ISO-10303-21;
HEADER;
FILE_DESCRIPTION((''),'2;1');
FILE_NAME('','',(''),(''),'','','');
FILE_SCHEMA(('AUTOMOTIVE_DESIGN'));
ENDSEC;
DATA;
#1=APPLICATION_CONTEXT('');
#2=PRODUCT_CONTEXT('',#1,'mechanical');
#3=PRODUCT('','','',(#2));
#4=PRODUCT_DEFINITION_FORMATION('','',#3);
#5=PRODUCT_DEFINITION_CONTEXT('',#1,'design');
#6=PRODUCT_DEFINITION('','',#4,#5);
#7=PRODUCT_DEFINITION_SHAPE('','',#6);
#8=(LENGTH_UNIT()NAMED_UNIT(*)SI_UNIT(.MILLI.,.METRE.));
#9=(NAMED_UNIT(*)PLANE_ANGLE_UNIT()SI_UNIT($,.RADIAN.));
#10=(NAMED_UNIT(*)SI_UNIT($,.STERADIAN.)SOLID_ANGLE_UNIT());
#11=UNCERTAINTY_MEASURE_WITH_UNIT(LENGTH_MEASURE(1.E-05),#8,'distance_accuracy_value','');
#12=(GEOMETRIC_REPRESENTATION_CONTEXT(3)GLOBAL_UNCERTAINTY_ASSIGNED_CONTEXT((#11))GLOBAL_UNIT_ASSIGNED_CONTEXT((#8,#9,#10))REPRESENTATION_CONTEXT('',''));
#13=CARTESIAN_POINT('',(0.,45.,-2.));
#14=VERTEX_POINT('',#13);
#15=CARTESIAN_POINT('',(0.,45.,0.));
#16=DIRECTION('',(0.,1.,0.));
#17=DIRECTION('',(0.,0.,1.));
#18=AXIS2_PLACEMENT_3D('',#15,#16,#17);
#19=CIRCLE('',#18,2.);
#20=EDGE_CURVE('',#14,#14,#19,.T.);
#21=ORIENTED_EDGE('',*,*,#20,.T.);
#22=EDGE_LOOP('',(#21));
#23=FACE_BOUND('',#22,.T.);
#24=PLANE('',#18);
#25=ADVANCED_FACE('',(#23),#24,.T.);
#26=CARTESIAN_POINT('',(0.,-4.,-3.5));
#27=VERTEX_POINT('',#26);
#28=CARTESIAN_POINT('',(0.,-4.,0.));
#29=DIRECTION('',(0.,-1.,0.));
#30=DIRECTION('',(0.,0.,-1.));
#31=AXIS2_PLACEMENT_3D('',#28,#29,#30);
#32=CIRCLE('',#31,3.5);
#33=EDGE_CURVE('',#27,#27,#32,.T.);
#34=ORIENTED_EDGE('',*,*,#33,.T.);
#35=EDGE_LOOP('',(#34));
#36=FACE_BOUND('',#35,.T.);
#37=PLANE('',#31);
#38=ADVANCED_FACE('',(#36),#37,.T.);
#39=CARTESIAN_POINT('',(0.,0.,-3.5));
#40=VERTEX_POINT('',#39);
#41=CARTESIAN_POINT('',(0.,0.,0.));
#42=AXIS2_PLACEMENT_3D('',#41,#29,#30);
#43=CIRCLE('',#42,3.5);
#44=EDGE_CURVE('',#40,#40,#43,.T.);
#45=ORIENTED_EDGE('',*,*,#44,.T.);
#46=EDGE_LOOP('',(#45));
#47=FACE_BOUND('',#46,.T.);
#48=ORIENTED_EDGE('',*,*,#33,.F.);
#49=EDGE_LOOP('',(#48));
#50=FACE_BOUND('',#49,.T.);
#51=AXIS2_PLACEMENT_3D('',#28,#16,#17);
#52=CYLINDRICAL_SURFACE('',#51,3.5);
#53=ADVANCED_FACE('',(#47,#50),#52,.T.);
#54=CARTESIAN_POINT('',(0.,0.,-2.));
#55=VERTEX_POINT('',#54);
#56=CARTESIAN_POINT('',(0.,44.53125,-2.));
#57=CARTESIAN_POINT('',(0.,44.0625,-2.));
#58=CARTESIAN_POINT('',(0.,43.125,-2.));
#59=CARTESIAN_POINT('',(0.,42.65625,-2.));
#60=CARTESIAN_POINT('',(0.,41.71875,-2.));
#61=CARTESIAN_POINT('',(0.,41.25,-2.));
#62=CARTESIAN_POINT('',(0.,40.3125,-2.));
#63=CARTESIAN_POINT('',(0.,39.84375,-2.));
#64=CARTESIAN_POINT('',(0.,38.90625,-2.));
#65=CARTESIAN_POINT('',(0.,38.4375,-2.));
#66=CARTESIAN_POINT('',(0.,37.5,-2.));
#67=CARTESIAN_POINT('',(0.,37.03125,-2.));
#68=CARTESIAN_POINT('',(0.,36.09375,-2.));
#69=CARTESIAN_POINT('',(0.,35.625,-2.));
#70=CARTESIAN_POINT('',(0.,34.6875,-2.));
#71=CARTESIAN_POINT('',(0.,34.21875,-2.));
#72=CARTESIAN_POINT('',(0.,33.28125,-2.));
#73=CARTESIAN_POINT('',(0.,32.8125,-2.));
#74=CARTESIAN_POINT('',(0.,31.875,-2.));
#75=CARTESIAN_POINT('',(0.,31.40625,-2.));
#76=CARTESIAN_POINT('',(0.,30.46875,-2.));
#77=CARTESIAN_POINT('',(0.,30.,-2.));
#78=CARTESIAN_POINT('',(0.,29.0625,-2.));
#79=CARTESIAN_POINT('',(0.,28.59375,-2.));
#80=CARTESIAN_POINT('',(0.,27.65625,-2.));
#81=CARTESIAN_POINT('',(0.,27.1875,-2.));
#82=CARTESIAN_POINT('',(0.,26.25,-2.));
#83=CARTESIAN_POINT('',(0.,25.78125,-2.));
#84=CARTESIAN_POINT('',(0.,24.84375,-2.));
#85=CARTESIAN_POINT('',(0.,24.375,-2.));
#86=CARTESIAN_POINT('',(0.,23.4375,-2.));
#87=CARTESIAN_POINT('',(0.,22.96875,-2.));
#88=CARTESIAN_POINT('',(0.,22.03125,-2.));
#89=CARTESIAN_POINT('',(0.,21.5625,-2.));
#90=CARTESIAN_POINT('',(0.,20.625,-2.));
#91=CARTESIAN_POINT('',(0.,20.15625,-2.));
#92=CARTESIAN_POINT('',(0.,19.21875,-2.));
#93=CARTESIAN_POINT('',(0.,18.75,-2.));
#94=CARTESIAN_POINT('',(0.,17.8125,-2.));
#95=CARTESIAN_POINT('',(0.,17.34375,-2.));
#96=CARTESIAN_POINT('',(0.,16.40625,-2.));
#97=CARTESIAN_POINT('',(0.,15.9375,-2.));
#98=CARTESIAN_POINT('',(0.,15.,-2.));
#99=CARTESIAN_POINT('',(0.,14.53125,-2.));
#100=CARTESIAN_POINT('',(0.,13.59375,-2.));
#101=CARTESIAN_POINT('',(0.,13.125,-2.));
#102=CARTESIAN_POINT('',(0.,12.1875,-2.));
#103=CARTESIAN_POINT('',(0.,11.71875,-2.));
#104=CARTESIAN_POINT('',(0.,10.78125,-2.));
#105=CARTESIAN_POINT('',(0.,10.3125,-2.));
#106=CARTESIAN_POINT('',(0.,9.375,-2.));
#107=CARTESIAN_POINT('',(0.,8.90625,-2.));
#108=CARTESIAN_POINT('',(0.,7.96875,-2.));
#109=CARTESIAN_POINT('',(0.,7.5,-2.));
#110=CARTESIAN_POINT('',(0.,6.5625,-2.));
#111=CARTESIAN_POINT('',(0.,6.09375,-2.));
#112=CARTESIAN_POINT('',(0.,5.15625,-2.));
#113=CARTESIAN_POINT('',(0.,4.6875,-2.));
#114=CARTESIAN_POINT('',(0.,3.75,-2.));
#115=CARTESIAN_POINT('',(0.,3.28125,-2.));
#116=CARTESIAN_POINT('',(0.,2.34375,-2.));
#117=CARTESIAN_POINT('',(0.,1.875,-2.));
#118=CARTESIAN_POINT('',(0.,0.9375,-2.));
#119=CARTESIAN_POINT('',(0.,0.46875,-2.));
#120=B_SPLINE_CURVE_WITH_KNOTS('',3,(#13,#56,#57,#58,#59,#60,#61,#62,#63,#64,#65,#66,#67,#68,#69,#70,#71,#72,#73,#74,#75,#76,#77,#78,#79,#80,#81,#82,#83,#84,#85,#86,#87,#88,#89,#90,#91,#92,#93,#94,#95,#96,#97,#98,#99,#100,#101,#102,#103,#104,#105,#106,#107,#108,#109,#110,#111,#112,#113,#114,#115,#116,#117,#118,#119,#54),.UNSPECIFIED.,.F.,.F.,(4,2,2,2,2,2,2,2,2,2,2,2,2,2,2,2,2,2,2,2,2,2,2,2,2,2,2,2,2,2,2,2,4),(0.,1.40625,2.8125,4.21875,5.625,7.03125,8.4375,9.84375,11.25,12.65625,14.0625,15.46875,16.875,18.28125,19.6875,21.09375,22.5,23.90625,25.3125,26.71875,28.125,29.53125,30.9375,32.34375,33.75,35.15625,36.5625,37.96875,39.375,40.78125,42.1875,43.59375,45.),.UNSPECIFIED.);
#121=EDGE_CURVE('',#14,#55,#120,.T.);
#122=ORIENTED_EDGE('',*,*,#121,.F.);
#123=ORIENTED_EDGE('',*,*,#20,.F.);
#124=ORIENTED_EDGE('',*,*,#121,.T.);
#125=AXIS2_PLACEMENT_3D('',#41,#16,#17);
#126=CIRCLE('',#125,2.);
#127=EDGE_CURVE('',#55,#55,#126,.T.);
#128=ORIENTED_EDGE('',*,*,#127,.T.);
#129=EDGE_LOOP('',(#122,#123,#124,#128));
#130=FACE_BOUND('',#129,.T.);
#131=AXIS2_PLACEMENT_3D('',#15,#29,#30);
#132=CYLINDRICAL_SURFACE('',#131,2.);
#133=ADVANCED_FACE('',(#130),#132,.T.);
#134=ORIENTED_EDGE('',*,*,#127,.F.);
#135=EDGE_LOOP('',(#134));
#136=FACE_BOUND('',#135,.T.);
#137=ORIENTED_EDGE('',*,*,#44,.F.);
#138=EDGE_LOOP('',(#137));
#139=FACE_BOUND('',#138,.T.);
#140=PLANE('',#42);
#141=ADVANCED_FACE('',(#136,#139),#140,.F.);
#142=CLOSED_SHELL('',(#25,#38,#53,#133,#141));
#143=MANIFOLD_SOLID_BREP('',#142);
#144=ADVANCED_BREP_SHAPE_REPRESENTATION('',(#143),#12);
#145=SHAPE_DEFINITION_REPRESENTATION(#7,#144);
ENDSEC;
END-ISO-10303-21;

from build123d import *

# Parameters (mm, degrees)
SKETCH_1_R      = 2
EXTRUDE_1_DEPTH = 45
SKETCH_2_R      = 3.5
EXTRUDE_2_DEPTH = 4


with BuildPart() as part:
    # 草图1 → 凸台-拉伸1 (new body)
    with BuildSketch(Plane(origin=(0, 0, 0), x_dir=(1, 0, 0), z_dir=(0, 1, 0))):
        with Locations(Location((0, 0, 0), (0, 0, 90))):
            Circle(SKETCH_1_R)
    extrude(amount=EXTRUDE_1_DEPTH)

    # 草图2 → 凸台-拉伸2 (add)
    with BuildSketch(Plane.XZ):
        with Locations(Location((0, 0, 0), (0, 0, 270))):
            Circle(SKETCH_2_R)
    extrude(amount=EXTRUDE_2_DEPTH)


solid = part.part
